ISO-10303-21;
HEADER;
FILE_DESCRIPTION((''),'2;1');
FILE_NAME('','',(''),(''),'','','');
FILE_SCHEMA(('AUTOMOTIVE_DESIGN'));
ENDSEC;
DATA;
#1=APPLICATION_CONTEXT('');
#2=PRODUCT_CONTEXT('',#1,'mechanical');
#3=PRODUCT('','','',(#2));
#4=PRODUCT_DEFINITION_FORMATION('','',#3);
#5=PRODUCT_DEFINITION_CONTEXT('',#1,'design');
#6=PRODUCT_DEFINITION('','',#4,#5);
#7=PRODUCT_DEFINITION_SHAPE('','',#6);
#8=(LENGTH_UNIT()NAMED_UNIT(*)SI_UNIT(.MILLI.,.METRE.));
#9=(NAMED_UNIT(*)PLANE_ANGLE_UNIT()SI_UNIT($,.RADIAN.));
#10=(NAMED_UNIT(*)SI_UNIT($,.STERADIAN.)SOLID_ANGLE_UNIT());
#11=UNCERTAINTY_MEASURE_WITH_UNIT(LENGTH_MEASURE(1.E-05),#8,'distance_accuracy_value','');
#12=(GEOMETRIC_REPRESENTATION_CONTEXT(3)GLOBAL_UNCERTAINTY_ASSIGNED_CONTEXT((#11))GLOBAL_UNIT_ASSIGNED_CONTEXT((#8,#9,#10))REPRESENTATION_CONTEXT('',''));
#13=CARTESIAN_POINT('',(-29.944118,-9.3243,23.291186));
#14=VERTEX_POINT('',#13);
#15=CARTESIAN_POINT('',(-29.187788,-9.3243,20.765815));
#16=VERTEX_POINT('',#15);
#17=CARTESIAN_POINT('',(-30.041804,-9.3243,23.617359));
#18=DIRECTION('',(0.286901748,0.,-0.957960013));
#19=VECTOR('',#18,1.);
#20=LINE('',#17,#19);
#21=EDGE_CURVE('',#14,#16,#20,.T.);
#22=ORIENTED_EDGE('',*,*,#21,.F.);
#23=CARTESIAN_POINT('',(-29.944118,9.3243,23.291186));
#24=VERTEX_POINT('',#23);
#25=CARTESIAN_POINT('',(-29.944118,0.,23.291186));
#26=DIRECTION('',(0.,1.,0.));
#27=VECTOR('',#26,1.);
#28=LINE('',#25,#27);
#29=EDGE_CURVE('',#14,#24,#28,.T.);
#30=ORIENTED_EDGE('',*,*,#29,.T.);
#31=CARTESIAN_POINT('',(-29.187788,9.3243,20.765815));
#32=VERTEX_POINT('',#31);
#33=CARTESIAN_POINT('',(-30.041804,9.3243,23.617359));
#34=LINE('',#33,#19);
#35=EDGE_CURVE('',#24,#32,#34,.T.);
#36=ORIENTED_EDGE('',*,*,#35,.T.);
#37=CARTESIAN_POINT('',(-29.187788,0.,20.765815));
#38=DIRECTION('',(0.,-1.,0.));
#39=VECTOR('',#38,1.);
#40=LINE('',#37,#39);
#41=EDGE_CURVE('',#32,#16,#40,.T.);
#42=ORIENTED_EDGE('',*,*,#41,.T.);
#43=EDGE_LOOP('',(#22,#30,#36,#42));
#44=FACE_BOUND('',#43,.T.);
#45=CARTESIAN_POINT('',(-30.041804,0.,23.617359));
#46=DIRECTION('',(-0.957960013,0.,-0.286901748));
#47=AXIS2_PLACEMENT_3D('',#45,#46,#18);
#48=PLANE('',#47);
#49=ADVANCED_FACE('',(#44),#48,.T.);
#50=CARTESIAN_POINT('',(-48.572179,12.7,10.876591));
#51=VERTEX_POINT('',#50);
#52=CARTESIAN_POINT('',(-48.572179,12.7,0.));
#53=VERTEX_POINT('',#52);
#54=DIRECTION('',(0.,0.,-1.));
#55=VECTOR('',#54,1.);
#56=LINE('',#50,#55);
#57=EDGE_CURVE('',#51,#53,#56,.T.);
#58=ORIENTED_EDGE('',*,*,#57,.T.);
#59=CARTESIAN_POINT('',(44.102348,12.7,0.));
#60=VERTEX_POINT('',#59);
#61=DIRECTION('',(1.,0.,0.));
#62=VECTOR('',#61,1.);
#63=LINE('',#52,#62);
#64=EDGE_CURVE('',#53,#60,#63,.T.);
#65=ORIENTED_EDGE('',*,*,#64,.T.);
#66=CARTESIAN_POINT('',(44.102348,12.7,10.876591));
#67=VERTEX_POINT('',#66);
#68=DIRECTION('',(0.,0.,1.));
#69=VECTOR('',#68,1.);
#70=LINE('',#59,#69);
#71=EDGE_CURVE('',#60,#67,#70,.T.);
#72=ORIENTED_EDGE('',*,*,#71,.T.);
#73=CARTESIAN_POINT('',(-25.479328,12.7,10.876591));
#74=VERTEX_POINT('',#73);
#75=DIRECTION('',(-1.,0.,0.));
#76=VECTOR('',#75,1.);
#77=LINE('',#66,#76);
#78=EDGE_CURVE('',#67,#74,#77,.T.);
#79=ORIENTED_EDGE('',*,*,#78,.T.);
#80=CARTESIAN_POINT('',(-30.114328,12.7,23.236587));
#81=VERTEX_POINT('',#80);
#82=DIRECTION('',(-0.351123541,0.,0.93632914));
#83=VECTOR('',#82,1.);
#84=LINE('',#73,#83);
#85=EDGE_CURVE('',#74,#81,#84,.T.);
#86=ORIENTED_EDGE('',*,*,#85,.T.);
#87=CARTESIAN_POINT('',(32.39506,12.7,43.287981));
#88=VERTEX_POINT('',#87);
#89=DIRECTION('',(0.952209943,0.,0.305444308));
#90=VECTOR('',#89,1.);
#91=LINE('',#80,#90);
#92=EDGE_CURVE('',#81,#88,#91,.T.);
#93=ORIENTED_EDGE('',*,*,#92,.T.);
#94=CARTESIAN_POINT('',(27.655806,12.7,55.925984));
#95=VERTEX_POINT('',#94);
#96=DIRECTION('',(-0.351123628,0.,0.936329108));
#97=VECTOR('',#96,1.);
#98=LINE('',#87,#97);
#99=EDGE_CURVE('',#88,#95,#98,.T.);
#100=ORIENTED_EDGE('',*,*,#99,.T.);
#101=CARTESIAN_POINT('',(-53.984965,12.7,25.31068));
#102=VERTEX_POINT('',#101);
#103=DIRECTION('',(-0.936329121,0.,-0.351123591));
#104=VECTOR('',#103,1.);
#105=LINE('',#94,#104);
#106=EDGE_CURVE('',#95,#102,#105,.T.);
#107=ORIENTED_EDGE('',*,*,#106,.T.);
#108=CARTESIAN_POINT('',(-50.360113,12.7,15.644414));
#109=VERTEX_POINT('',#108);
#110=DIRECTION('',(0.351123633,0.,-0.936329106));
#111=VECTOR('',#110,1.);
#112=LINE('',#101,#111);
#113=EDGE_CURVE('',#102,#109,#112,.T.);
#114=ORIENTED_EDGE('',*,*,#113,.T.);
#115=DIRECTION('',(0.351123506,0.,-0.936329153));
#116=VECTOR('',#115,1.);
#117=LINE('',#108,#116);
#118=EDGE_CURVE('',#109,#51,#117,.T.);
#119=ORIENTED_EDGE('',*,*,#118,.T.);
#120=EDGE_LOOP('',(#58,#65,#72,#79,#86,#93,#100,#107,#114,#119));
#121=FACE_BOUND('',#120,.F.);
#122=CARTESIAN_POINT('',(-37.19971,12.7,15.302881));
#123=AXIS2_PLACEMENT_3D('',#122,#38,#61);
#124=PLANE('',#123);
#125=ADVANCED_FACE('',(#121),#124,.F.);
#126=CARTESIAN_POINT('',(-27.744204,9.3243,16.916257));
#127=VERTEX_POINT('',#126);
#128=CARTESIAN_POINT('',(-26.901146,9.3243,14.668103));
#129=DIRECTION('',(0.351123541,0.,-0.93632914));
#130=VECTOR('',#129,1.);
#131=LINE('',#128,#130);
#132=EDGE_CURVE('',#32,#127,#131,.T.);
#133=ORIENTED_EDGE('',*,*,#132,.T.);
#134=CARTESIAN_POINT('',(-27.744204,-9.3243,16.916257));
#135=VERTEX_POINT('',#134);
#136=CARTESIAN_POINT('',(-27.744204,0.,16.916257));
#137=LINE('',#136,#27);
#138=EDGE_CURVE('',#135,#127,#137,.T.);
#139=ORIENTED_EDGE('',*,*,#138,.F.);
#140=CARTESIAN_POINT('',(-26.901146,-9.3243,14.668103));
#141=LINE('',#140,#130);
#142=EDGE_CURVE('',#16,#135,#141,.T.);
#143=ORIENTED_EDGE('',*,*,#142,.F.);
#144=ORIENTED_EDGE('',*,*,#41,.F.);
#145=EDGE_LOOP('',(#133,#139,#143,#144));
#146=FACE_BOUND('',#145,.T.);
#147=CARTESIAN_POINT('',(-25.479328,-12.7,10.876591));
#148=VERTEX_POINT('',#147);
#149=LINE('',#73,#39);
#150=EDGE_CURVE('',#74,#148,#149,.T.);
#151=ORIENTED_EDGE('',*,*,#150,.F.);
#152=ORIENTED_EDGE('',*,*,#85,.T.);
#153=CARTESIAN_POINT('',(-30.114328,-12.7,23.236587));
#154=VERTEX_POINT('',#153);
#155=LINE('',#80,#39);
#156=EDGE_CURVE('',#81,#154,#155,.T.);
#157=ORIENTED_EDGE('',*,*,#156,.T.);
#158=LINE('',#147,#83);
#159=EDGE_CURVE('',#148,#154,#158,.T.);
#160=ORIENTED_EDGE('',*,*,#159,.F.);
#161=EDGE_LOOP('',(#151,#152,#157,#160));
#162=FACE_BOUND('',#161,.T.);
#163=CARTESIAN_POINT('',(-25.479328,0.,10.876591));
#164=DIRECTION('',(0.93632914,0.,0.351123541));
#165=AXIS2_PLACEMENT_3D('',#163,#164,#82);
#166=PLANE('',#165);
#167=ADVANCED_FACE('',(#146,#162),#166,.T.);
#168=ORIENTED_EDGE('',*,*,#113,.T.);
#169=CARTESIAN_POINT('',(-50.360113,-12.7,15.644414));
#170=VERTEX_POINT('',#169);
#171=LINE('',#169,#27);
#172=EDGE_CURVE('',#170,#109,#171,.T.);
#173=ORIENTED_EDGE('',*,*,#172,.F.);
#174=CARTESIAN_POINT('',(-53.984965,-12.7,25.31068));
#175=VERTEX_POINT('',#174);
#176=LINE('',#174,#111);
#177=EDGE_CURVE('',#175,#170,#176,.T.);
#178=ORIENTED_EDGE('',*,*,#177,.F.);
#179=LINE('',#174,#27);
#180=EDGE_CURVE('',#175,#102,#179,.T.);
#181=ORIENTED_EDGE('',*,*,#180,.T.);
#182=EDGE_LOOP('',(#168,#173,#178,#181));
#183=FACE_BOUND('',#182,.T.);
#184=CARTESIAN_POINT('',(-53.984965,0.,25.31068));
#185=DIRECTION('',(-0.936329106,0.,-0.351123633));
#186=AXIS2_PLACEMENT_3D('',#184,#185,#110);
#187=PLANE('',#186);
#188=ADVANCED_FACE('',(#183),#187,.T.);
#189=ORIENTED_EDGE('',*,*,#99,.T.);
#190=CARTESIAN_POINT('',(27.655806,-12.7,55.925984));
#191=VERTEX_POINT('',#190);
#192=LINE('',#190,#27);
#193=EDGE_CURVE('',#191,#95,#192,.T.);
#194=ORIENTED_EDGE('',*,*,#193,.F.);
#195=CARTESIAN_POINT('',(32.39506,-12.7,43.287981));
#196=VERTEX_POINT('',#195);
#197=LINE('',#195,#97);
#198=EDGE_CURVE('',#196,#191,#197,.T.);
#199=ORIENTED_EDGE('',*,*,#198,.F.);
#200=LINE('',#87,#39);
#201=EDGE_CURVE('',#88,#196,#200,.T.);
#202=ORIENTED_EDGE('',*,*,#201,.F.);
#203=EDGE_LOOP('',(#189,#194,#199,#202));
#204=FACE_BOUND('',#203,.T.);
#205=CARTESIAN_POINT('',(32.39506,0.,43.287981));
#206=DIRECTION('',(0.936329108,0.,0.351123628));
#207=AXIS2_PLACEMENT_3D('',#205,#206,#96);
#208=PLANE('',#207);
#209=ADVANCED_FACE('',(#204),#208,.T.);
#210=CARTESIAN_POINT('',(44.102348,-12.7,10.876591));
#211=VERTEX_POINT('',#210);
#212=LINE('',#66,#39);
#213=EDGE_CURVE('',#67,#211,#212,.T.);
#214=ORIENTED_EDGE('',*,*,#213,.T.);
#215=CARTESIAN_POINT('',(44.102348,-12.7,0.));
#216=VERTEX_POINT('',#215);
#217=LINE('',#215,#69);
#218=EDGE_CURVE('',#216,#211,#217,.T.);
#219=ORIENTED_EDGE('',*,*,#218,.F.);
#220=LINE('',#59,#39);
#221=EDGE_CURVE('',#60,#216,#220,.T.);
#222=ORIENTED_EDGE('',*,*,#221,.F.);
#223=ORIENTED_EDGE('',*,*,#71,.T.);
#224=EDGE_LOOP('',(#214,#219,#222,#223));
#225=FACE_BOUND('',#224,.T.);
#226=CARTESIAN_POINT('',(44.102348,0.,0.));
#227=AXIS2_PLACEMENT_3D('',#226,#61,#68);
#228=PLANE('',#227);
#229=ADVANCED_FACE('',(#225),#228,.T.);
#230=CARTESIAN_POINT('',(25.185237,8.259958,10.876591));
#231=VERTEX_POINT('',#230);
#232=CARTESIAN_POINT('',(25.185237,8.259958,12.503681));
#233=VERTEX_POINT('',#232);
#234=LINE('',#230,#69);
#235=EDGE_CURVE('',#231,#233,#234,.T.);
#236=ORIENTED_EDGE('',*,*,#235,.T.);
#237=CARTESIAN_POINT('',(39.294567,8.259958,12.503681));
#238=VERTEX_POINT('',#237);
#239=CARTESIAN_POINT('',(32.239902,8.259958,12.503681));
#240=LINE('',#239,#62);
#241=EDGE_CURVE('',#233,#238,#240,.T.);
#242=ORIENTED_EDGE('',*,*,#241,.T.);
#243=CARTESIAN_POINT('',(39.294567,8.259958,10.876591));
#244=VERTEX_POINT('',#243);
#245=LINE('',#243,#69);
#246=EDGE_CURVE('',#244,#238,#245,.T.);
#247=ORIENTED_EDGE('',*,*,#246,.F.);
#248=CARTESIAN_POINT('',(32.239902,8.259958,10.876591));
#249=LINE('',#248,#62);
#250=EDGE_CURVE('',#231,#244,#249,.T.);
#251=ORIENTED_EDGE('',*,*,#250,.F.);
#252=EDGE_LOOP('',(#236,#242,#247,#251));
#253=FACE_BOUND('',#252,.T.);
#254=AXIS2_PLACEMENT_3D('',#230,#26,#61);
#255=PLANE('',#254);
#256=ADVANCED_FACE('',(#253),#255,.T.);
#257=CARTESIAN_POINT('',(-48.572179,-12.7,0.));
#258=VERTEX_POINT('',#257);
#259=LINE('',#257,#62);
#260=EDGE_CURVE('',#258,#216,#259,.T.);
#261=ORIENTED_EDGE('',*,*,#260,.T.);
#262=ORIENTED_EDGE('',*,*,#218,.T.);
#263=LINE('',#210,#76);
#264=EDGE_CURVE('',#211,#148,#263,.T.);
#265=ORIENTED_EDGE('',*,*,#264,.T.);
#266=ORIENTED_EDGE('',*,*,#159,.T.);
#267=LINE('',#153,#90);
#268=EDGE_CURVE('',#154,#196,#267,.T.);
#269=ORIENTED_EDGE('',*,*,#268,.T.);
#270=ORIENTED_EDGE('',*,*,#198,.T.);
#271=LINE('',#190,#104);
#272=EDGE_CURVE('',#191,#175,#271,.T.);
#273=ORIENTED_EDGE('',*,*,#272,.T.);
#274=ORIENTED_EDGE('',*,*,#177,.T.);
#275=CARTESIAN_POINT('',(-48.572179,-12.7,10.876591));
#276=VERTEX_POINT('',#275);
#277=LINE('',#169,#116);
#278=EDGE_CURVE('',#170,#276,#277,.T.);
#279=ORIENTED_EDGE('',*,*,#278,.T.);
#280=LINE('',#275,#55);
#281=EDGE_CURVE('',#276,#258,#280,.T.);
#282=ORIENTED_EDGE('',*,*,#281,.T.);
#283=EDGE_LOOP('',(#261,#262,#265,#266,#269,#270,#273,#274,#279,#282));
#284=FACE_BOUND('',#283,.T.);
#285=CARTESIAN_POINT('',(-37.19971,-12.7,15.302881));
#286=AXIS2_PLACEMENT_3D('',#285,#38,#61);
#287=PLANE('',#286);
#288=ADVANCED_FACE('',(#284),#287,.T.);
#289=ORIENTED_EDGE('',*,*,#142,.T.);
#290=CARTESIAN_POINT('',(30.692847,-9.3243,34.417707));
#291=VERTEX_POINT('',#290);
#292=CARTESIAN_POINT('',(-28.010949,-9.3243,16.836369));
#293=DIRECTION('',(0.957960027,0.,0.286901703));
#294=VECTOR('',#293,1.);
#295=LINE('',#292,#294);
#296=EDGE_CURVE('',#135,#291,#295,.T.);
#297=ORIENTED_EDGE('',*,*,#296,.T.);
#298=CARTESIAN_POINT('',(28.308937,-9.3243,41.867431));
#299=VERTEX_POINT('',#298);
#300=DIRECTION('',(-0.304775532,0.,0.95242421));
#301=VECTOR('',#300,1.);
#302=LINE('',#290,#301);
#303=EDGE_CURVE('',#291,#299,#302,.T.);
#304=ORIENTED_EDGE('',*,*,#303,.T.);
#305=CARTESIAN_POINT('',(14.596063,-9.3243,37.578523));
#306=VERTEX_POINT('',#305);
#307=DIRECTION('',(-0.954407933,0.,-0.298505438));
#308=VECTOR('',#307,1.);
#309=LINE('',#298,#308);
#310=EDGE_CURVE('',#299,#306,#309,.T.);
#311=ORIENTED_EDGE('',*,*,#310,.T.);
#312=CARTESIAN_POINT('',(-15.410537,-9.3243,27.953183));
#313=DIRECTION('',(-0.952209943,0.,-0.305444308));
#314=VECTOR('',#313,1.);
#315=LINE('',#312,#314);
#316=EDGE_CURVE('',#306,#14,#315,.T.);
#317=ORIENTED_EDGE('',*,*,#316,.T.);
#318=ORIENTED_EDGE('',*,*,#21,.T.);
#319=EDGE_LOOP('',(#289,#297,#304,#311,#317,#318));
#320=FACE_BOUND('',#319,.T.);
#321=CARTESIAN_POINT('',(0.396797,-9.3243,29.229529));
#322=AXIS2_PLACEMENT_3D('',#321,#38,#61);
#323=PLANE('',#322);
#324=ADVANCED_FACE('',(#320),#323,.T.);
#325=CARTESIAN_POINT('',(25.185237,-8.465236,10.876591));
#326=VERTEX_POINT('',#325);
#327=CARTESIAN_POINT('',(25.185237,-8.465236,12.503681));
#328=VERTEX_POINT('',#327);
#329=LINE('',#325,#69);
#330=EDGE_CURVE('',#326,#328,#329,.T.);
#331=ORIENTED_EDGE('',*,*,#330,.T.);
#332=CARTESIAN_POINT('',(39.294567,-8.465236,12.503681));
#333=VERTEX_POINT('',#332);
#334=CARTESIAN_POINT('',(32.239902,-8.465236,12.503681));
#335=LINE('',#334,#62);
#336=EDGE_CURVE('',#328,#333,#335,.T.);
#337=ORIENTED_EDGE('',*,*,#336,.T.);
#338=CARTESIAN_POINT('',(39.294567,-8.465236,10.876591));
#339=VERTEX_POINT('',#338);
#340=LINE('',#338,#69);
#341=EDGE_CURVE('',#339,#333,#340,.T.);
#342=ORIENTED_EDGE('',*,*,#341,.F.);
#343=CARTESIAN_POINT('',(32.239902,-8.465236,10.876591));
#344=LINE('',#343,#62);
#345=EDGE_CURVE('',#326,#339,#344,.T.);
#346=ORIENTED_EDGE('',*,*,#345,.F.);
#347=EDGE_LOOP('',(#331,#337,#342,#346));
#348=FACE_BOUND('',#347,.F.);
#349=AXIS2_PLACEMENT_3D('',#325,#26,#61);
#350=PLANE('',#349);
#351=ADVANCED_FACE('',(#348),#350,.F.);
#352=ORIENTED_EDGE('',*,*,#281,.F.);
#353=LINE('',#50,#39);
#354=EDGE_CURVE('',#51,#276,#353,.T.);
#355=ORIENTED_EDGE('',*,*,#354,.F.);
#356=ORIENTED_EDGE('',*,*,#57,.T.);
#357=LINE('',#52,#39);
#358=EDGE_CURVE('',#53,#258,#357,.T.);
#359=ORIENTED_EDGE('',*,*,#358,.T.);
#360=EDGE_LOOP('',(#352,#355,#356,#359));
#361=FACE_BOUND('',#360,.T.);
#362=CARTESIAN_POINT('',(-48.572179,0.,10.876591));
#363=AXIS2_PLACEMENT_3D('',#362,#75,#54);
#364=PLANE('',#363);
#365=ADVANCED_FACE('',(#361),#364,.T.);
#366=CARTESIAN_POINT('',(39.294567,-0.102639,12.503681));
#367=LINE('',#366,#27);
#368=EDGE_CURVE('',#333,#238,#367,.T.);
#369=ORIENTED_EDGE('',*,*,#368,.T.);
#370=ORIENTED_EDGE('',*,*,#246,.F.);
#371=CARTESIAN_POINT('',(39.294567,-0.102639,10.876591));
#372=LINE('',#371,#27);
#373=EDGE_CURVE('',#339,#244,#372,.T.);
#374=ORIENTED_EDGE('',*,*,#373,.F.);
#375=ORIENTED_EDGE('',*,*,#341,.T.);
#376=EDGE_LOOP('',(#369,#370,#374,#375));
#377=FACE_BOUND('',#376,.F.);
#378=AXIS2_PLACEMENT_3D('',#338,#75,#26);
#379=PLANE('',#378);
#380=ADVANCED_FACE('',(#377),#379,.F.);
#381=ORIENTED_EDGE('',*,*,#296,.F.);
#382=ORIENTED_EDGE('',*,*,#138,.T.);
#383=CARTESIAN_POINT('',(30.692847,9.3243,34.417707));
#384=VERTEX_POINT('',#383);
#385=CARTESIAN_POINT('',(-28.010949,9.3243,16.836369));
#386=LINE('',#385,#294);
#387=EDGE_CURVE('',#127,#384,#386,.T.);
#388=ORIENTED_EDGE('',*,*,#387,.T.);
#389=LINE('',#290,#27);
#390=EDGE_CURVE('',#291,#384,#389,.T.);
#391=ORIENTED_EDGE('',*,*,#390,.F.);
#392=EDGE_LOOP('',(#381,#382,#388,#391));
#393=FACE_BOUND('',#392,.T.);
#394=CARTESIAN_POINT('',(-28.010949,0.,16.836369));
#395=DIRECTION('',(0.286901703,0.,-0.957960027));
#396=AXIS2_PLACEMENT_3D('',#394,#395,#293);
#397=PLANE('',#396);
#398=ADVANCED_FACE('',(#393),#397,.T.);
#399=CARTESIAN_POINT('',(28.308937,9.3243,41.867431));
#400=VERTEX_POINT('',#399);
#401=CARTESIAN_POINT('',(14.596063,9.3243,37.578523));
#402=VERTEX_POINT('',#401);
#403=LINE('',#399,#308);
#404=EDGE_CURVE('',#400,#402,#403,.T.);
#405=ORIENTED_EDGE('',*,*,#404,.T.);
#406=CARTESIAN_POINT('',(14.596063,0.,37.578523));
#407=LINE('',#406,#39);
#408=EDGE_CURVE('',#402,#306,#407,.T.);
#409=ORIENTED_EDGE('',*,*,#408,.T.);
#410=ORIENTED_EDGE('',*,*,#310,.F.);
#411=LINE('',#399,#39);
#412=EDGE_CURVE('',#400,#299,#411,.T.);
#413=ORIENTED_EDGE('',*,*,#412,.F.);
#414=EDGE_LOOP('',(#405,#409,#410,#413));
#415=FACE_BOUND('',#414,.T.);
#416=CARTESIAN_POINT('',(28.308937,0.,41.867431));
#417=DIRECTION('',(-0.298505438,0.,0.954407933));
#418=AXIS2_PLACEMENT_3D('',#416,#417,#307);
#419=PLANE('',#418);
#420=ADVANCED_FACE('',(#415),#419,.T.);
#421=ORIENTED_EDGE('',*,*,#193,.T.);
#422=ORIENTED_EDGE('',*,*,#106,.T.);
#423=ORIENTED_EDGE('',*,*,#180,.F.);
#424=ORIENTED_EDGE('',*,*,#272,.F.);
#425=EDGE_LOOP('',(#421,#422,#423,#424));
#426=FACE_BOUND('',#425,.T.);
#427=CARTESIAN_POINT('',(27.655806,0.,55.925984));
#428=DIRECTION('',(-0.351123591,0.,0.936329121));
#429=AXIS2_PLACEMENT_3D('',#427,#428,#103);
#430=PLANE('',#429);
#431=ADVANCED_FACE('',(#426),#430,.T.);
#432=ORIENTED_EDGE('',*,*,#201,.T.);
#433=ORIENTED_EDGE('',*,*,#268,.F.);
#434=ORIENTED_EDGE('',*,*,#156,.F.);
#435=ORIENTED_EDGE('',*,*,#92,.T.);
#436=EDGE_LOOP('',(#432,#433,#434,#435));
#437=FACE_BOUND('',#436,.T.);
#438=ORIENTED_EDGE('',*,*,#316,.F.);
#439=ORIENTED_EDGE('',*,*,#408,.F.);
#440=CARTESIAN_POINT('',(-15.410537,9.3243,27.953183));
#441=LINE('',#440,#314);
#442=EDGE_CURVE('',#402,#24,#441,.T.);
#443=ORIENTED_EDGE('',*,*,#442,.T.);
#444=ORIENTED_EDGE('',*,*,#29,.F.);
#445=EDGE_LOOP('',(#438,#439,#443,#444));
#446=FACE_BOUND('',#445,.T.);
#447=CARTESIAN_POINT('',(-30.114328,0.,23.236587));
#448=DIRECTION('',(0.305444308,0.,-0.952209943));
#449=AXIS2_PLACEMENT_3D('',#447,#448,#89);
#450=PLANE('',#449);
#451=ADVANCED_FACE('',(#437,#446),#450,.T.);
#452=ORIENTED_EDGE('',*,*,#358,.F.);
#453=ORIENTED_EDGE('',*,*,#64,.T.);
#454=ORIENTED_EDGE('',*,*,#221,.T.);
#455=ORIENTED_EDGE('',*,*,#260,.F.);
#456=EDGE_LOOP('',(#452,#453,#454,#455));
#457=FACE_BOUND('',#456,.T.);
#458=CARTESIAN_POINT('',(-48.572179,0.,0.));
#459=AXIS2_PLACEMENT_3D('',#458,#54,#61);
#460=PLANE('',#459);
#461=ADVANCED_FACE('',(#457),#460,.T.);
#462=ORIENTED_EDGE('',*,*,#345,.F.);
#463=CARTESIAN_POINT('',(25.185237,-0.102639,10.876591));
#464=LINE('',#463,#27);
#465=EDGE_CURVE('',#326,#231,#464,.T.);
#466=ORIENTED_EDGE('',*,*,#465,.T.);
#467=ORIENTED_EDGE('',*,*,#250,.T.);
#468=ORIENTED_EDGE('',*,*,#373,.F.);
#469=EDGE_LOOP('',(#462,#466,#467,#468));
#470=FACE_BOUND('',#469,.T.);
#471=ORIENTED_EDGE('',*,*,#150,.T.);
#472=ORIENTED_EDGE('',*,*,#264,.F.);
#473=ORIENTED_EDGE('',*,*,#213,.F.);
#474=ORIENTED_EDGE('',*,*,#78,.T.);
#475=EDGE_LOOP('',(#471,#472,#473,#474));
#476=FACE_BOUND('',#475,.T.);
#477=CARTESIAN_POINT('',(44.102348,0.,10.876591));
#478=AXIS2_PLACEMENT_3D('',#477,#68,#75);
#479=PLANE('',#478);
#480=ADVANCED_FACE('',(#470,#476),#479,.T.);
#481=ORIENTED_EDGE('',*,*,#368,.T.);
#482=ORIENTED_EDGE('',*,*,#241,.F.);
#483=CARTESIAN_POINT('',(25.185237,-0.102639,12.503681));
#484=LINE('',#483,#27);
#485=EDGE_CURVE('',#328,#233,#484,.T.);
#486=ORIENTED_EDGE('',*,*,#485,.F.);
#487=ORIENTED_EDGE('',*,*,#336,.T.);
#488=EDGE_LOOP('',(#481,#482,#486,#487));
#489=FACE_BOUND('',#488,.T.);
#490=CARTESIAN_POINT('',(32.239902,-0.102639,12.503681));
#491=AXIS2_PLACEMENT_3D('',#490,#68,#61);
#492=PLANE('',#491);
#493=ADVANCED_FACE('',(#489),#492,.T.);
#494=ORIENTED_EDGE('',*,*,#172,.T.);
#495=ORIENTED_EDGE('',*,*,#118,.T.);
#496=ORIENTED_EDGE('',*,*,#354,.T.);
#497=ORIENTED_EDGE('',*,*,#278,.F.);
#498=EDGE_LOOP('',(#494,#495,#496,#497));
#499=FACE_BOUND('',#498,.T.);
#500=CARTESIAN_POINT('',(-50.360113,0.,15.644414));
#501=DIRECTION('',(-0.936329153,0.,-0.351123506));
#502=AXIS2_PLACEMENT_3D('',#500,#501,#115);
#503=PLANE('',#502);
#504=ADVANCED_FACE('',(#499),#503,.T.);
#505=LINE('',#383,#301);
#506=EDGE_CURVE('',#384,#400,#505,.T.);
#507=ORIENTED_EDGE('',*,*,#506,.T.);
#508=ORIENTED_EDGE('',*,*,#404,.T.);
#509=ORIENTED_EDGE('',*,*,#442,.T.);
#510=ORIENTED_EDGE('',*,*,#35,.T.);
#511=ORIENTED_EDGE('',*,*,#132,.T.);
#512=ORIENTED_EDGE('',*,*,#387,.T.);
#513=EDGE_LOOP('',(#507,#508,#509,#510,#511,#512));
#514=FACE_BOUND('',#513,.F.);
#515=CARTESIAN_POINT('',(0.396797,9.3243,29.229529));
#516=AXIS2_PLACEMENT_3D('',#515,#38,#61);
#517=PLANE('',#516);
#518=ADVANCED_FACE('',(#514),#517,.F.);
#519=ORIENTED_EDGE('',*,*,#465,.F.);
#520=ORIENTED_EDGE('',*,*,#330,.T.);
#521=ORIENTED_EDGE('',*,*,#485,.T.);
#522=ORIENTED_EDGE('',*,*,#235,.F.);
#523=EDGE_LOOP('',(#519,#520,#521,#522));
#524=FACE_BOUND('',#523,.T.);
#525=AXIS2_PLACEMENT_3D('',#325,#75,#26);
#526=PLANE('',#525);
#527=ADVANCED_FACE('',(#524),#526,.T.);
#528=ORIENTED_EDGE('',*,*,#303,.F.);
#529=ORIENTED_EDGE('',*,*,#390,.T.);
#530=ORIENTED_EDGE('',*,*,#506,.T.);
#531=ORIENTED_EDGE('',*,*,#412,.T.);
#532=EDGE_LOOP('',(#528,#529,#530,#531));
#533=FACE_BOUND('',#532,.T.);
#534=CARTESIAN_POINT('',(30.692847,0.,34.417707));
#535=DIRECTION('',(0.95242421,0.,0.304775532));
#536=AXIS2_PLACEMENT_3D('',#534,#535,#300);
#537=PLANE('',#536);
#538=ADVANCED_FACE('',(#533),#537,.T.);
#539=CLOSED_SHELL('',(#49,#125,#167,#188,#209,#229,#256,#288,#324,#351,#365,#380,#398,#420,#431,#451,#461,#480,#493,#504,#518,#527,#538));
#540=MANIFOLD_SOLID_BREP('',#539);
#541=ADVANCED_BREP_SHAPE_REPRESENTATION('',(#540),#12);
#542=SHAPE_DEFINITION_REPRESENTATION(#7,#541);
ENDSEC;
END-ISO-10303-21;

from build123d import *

# Parameters (mm, degrees)
F2_DEPTH = 12.7
F3_DEPTH = 9.3243
F4_W     = 14.10933
F4_H     = 16.725193
F5_DEPTH = 1.62709


with BuildPart() as f2:
    # F0 (on Front) → F2 (new body, symmetric)
    with BuildSketch(Plane.XZ):
        Polygon((-50.360113, 15.644414), (-48.572179, 10.876591), (-25.479328, 10.876591), (-30.114328, 23.236587), align=None)
        Polygon((-25.479328, 10.876591), (-48.572179, 10.876591), (-48.572179, 0), (44.102348, 0), (44.102348, 10.876591), align=None)
        Polygon((-53.984965, 25.31068), (-50.360113, 15.644414), (-30.114328, 23.236587), (32.39506, 43.287981), (27.655806, 55.925984), align=None)
    extrude(amount=F2_DEPTH, both=True)

    # F1 (on Front) → F3 (join, symmetric)
    with BuildSketch(Plane.XZ):
        Polygon((30.692847, 34.417707), (28.308937, 41.867431), (-30.041804, 23.617359), (-28.010949, 16.836369), align=None)
    extrude(amount=F3_DEPTH, both=True)

    # F4 (on face) → F5 (join)
    with BuildSketch(Plane.XY.offset(10.876591)):
        with Locations((32.239902, -0.102639)):
            Rectangle(F4_W, F4_H)
    extrude(amount=F5_DEPTH)


solid = f2.part
